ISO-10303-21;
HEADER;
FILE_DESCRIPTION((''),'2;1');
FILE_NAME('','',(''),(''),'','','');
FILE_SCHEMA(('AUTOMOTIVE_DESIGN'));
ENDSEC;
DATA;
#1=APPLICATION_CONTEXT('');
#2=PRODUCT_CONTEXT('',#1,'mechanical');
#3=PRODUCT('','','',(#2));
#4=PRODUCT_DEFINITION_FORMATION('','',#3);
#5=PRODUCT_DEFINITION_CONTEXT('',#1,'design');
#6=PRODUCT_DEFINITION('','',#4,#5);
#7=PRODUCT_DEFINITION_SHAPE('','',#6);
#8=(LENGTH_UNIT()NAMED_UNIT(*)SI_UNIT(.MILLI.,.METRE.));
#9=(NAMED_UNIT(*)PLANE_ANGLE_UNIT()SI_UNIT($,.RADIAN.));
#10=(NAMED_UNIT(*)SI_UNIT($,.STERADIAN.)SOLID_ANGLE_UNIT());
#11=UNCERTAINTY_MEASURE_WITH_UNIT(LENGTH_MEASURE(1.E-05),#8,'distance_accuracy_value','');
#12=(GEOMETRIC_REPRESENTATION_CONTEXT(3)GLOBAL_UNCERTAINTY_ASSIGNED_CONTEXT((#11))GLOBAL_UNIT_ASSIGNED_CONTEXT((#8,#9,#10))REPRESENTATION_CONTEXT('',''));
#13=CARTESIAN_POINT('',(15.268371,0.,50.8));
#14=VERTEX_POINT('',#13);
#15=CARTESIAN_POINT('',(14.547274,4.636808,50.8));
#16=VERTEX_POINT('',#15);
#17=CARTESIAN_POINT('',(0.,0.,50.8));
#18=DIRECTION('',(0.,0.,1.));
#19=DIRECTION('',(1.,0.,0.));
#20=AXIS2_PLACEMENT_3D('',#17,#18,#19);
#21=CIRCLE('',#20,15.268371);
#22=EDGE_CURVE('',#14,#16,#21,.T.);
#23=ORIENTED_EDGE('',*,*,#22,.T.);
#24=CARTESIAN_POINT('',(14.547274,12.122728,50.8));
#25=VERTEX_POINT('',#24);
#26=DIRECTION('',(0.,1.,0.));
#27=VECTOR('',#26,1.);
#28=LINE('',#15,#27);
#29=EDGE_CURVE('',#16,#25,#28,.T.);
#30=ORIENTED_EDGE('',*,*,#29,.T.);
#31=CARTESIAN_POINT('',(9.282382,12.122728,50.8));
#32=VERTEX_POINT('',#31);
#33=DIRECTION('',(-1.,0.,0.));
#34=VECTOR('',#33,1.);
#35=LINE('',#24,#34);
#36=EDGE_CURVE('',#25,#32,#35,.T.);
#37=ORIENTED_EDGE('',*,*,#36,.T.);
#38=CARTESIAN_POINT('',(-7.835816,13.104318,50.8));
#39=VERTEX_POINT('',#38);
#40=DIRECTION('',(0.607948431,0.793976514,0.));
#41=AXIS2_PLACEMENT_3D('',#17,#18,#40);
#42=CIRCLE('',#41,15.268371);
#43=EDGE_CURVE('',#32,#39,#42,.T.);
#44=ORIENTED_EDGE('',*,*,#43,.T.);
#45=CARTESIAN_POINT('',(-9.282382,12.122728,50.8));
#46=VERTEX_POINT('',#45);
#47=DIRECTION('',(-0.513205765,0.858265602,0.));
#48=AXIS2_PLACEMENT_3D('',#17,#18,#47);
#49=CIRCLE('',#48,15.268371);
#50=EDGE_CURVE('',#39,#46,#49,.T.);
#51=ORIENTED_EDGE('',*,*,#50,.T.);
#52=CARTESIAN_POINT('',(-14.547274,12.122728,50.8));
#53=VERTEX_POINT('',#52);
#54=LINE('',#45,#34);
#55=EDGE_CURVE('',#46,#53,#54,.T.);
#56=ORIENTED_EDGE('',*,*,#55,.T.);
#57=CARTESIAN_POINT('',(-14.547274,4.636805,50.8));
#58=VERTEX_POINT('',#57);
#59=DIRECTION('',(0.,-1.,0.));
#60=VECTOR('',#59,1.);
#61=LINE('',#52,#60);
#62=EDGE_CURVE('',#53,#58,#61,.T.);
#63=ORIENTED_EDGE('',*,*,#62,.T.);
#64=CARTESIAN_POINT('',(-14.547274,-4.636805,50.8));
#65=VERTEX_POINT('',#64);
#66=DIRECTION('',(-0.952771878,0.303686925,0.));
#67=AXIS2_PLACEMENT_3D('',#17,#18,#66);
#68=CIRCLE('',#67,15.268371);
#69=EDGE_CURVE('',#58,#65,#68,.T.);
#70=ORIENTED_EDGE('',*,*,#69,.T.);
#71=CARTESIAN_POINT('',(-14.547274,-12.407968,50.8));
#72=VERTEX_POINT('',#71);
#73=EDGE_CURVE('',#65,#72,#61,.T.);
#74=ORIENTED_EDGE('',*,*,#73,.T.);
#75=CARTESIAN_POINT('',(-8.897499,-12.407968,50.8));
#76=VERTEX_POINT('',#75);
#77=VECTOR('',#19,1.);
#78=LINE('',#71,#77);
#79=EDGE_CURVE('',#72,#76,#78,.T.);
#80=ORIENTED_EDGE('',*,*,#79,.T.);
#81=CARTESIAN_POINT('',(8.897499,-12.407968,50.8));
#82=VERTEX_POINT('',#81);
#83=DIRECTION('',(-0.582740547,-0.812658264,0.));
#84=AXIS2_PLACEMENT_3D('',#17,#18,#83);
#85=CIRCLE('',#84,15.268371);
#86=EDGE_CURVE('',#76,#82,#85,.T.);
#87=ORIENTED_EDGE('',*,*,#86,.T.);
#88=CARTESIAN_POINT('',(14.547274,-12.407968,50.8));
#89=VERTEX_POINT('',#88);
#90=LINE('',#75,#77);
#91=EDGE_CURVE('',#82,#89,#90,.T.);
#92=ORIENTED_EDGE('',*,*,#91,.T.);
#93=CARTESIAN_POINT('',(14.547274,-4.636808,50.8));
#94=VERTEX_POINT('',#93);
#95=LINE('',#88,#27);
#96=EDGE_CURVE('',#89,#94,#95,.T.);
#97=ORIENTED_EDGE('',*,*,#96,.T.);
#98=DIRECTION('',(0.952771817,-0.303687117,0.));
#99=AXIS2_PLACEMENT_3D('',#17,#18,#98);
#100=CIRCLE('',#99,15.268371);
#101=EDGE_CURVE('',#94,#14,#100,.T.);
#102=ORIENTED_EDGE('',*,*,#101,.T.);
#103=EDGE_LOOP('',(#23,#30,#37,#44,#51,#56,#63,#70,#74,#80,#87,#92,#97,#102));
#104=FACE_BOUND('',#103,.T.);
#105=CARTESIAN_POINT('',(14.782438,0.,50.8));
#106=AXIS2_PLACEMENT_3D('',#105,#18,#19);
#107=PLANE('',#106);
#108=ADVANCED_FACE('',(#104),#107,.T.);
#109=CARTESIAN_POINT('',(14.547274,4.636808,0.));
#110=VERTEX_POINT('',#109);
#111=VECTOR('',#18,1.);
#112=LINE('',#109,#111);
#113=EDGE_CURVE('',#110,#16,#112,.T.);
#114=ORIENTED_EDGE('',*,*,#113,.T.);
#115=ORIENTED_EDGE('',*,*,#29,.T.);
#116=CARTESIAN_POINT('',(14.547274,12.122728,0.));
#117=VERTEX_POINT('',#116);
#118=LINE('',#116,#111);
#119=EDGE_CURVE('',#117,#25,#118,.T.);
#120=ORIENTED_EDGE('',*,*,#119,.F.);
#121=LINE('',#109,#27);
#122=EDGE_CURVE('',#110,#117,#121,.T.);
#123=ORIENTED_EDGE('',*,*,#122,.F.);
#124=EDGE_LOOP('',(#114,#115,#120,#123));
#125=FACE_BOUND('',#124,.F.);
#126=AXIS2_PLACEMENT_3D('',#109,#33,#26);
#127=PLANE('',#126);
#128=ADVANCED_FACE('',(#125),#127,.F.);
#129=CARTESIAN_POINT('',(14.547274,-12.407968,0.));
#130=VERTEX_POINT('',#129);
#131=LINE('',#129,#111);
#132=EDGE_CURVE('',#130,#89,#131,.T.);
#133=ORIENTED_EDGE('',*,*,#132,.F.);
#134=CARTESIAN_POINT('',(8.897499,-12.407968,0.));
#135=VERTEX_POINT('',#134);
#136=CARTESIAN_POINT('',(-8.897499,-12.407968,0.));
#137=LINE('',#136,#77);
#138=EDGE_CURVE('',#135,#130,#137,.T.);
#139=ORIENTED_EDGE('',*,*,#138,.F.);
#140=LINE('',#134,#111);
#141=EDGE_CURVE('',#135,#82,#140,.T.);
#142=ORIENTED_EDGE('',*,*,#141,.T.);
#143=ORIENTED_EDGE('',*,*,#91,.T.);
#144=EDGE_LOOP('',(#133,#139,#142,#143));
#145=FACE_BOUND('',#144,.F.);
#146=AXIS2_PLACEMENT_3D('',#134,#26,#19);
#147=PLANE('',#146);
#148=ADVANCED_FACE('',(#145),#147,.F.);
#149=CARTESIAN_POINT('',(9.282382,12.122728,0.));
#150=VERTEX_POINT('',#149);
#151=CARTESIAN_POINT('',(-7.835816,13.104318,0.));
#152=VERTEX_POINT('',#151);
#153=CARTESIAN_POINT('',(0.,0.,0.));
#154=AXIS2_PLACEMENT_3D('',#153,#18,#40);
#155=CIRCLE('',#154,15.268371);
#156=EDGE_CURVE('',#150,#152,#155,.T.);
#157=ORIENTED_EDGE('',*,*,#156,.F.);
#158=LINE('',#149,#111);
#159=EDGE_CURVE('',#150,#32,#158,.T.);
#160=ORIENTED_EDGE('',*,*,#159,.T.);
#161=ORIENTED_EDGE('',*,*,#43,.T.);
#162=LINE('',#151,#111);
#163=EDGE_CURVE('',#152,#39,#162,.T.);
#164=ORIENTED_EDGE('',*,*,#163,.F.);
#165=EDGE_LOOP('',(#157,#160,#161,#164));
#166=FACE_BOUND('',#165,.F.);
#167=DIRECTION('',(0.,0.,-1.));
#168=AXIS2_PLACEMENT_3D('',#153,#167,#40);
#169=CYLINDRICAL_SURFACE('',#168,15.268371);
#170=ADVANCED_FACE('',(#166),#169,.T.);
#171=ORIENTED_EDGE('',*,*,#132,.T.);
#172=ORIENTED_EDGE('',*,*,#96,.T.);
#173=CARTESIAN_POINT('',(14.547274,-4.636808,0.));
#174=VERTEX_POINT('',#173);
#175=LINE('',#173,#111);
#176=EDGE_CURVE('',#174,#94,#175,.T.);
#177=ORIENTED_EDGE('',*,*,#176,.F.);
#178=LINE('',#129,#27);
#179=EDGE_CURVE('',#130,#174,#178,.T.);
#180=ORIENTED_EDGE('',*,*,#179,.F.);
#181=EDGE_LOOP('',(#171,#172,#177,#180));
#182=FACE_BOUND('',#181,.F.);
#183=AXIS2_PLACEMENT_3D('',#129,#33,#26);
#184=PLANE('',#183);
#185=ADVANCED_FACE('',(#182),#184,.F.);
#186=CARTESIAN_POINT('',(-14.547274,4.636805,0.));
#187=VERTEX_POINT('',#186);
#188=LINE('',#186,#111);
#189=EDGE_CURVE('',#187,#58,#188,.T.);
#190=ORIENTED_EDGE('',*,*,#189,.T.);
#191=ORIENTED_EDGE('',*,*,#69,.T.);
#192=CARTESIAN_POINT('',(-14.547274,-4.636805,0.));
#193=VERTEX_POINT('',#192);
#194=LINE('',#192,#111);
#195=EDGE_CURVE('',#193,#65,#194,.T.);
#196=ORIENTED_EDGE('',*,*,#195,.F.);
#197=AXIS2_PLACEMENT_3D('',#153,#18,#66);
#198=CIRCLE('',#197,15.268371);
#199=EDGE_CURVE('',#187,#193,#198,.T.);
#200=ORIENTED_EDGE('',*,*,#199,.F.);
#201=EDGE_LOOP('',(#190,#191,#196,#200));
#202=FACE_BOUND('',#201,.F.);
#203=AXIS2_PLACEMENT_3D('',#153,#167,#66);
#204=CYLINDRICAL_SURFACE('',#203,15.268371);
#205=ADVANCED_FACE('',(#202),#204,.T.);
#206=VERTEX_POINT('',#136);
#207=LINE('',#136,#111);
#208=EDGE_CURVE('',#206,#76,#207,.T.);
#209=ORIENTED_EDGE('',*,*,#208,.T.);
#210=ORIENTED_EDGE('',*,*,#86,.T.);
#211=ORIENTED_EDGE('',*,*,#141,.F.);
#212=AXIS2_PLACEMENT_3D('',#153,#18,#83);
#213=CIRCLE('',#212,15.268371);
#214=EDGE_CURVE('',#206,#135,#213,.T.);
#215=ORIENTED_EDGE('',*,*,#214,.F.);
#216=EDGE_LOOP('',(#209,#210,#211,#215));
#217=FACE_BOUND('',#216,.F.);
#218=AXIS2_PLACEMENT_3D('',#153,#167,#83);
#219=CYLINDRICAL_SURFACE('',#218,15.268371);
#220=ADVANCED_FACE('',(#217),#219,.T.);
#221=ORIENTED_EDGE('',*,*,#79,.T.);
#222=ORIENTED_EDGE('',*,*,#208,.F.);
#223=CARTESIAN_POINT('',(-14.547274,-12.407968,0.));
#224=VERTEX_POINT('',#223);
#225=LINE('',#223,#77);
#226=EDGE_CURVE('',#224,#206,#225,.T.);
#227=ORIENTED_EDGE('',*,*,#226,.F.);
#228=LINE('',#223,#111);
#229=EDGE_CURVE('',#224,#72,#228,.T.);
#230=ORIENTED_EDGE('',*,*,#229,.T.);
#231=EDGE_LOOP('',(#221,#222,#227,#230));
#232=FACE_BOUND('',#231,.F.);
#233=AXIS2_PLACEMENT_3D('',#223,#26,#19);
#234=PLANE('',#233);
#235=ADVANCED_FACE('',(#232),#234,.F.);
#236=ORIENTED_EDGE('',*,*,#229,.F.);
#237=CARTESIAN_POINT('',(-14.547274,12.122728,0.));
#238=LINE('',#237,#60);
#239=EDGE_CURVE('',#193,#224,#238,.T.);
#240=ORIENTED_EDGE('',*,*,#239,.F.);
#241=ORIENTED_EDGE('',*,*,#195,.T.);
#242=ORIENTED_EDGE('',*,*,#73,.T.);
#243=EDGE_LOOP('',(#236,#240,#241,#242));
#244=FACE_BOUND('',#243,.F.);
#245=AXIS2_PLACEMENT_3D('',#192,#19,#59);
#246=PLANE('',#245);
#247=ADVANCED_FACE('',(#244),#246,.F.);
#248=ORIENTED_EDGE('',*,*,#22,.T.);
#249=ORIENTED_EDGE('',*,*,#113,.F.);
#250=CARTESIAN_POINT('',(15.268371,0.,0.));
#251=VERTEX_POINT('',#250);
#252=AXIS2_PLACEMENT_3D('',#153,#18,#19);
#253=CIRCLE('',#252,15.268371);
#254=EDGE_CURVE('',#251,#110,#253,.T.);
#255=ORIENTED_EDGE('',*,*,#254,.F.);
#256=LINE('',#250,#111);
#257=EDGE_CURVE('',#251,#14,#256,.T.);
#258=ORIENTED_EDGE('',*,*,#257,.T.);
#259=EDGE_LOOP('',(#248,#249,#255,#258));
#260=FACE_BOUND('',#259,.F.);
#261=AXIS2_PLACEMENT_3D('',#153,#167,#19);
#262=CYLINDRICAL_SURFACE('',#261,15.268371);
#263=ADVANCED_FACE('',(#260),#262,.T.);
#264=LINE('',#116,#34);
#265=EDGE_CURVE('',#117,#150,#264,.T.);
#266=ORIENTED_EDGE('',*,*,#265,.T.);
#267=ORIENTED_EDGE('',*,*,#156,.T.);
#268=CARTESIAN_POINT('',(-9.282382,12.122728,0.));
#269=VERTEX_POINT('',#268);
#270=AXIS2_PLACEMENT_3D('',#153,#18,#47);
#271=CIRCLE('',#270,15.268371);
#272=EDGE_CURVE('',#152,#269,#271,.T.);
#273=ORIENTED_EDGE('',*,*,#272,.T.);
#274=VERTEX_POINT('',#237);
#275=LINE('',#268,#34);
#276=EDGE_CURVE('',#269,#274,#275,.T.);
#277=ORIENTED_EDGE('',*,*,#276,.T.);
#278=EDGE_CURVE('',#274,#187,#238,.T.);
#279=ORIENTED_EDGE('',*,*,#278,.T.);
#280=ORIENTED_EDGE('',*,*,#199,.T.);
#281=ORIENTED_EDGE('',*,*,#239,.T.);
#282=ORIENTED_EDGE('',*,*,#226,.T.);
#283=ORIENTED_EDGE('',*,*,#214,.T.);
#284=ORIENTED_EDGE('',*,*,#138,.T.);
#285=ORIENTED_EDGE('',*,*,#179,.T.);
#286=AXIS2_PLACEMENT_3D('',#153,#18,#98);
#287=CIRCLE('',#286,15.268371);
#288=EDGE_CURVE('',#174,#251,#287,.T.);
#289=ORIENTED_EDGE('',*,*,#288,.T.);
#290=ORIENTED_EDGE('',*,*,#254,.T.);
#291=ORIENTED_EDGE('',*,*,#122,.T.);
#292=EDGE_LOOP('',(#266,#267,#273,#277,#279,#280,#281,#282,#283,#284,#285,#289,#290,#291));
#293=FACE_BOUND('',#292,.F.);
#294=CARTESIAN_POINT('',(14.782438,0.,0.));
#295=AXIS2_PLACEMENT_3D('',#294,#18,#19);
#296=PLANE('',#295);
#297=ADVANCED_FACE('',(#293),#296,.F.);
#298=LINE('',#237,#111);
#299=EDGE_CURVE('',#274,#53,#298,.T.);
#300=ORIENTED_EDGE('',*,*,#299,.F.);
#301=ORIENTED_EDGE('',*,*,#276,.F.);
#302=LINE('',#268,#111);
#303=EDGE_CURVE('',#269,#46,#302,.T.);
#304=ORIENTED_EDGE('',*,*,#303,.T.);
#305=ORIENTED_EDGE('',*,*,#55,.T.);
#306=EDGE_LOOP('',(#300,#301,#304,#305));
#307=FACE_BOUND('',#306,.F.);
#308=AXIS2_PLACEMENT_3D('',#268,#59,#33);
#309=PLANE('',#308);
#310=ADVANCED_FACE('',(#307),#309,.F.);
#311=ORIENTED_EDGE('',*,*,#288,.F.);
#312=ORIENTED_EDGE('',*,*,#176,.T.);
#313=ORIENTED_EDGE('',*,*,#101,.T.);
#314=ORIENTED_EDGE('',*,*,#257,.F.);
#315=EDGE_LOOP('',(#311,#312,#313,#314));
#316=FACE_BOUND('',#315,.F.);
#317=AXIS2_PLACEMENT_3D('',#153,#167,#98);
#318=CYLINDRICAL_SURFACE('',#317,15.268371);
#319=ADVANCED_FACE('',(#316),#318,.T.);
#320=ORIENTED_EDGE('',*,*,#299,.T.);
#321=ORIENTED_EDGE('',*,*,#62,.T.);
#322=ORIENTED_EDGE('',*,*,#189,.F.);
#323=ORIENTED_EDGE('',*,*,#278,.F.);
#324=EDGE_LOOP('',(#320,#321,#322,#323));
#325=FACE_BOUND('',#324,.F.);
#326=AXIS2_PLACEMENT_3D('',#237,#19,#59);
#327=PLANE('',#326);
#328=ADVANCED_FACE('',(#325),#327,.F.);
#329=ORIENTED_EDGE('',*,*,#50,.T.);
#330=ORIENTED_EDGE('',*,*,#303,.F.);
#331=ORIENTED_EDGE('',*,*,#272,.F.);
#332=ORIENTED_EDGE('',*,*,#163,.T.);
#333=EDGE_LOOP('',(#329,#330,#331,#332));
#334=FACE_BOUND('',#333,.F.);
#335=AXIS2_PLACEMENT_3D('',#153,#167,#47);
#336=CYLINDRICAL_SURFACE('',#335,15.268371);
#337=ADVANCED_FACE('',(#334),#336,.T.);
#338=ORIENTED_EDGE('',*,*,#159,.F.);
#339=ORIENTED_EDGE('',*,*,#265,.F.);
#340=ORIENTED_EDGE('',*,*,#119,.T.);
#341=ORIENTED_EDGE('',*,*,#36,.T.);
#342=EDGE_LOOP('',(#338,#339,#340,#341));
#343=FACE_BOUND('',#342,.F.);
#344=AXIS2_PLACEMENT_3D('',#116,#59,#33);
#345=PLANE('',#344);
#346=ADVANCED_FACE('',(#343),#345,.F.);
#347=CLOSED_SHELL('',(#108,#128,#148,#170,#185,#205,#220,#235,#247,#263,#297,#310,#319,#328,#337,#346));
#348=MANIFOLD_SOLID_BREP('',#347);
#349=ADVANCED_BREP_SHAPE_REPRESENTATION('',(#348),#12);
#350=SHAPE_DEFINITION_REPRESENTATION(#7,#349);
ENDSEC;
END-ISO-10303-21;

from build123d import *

# Parameters (mm, degrees)
F1_DEPTH = 50.8


with BuildPart() as f1:
    # F0 (on Top) → F1 (new body)
    with BuildSketch(Plane.XY):
        with BuildLine():
            ThreePointArc((14.5472735167, -4.6368075466), (15.087019572, -2.3462718145), (15.2683709345, 0))
            ThreePointArc((15.2683709345, 0), (15.087019572, 2.3462718145), (14.5472735167, 4.6368075466))
            Line((14.5472735167, 4.6368075466), (14.5472735167, -4.6368075466))
        make_face()
        with BuildLine():
            Line((14.5472735167, -4.6368075466), (14.5472735167, 4.6368075466))
            ThreePointArc((14.5472735167, 4.6368075466), (12.4889100158, 8.783523075), (9.2823821573, 12.1227279305))
            Line((9.2823821573, 12.1227279305), (0, 12.1227279305))
            Line((0, 12.1227279305), (-7.8358159836, 12.1227279305))
            Line((-7.8358159836, 12.1227279305), (-9.2823821573, 12.1227279305))
            ThreePointArc((-9.2823821573, 12.1227279305), (-12.4889108979, 8.7835218208), (-14.547274448, 4.6368046247))
            Line((-14.547274448, 4.6368046247), (-14.547274448, -4.6368046247))
            ThreePointArc((-14.547274448, -4.6368046247), (-12.3495786547, -8.9783661121), (-8.8974988368, -12.4079678208))
            Line((-8.8974988368, -12.4079678208), (8.8974988368, -12.4079678208))
            ThreePointArc((8.8974988368, -12.4079678208), (12.349577753, -8.9783673524), (14.5472735167, -4.6368075466))
        make_face()
        with BuildLine():
            ThreePointArc((9.2823821573, 12.1227279305), (12.4889100158, 8.783523075), (14.5472735167, 4.6368075466))
            Line((14.5472735167, 4.6368075466), (14.5472735167, 12.1227279305))
            Line((14.5472735167, 12.1227279305), (9.2823821573, 12.1227279305))
        make_face()
        with BuildLine():
            Line((14.5472735167, -12.4079678208), (14.5472735167, -4.6368075466))
            ThreePointArc((14.5472735167, -4.6368075466), (12.349577753, -8.9783673524), (8.8974988368, -12.4079678208))
            Line((8.8974988368, -12.4079678208), (14.5472735167, -12.4079678208))
        make_face()
        with BuildLine():
            Line((0, 12.1227279305), (9.2823821573, 12.1227279305))
            ThreePointArc((9.2823821573, 12.1227279305), (0.8740812186, 15.2433307717), (-7.8358159836, 13.1043175658))
            Line((-7.8358159836, 13.1043175658), (-7.8358159836, 12.1227279305))
            Line((-7.8358159836, 12.1227279305), (0, 12.1227279305))
        make_face()
        with BuildLine():
            ThreePointArc((-8.8974988368, -12.4079678208), (0, -15.2683709345), (8.8974988368, -12.4079678208))
            Line((8.8974988368, -12.4079678208), (-8.8974988368, -12.4079678208))
        make_face()
        with BuildLine():
            Line((-7.8358159836, 12.1227279305), (-7.8358159836, 13.1043175658))
            ThreePointArc((-7.8358159836, 13.1043175658), (-8.5731590707, 12.6342429351), (-9.2823821573, 12.1227279305))
            Line((-9.2823821573, 12.1227279305), (-7.8358159836, 12.1227279305))
        make_face()
        with BuildLine():
            Line((-14.547274448, -12.4079678208), (-8.8974988368, -12.4079678208))
            ThreePointArc((-8.8974988368, -12.4079678208), (-12.3495786547, -8.9783661121), (-14.547274448, -4.6368046247))
            Line((-14.547274448, -4.6368046247), (-14.547274448, -12.4079678208))
        make_face()
        with BuildLine():
            ThreePointArc((-14.547274448, 4.6368046247), (-12.4889108979, 8.7835218208), (-9.2823821573, 12.1227279305))
            Line((-9.2823821573, 12.1227279305), (-14.547274448, 12.1227279305))
            Line((-14.547274448, 12.1227279305), (-14.547274448, 4.6368046247))
        make_face()
        with BuildLine():
            ThreePointArc((-14.547274448, 4.6368046247), (-15.2683709345, 0), (-14.547274448, -4.6368046247))
            Line((-14.547274448, -4.6368046247), (-14.547274448, 4.6368046247))
        make_face()
    extrude(amount=F1_DEPTH)


solid = f1.part
